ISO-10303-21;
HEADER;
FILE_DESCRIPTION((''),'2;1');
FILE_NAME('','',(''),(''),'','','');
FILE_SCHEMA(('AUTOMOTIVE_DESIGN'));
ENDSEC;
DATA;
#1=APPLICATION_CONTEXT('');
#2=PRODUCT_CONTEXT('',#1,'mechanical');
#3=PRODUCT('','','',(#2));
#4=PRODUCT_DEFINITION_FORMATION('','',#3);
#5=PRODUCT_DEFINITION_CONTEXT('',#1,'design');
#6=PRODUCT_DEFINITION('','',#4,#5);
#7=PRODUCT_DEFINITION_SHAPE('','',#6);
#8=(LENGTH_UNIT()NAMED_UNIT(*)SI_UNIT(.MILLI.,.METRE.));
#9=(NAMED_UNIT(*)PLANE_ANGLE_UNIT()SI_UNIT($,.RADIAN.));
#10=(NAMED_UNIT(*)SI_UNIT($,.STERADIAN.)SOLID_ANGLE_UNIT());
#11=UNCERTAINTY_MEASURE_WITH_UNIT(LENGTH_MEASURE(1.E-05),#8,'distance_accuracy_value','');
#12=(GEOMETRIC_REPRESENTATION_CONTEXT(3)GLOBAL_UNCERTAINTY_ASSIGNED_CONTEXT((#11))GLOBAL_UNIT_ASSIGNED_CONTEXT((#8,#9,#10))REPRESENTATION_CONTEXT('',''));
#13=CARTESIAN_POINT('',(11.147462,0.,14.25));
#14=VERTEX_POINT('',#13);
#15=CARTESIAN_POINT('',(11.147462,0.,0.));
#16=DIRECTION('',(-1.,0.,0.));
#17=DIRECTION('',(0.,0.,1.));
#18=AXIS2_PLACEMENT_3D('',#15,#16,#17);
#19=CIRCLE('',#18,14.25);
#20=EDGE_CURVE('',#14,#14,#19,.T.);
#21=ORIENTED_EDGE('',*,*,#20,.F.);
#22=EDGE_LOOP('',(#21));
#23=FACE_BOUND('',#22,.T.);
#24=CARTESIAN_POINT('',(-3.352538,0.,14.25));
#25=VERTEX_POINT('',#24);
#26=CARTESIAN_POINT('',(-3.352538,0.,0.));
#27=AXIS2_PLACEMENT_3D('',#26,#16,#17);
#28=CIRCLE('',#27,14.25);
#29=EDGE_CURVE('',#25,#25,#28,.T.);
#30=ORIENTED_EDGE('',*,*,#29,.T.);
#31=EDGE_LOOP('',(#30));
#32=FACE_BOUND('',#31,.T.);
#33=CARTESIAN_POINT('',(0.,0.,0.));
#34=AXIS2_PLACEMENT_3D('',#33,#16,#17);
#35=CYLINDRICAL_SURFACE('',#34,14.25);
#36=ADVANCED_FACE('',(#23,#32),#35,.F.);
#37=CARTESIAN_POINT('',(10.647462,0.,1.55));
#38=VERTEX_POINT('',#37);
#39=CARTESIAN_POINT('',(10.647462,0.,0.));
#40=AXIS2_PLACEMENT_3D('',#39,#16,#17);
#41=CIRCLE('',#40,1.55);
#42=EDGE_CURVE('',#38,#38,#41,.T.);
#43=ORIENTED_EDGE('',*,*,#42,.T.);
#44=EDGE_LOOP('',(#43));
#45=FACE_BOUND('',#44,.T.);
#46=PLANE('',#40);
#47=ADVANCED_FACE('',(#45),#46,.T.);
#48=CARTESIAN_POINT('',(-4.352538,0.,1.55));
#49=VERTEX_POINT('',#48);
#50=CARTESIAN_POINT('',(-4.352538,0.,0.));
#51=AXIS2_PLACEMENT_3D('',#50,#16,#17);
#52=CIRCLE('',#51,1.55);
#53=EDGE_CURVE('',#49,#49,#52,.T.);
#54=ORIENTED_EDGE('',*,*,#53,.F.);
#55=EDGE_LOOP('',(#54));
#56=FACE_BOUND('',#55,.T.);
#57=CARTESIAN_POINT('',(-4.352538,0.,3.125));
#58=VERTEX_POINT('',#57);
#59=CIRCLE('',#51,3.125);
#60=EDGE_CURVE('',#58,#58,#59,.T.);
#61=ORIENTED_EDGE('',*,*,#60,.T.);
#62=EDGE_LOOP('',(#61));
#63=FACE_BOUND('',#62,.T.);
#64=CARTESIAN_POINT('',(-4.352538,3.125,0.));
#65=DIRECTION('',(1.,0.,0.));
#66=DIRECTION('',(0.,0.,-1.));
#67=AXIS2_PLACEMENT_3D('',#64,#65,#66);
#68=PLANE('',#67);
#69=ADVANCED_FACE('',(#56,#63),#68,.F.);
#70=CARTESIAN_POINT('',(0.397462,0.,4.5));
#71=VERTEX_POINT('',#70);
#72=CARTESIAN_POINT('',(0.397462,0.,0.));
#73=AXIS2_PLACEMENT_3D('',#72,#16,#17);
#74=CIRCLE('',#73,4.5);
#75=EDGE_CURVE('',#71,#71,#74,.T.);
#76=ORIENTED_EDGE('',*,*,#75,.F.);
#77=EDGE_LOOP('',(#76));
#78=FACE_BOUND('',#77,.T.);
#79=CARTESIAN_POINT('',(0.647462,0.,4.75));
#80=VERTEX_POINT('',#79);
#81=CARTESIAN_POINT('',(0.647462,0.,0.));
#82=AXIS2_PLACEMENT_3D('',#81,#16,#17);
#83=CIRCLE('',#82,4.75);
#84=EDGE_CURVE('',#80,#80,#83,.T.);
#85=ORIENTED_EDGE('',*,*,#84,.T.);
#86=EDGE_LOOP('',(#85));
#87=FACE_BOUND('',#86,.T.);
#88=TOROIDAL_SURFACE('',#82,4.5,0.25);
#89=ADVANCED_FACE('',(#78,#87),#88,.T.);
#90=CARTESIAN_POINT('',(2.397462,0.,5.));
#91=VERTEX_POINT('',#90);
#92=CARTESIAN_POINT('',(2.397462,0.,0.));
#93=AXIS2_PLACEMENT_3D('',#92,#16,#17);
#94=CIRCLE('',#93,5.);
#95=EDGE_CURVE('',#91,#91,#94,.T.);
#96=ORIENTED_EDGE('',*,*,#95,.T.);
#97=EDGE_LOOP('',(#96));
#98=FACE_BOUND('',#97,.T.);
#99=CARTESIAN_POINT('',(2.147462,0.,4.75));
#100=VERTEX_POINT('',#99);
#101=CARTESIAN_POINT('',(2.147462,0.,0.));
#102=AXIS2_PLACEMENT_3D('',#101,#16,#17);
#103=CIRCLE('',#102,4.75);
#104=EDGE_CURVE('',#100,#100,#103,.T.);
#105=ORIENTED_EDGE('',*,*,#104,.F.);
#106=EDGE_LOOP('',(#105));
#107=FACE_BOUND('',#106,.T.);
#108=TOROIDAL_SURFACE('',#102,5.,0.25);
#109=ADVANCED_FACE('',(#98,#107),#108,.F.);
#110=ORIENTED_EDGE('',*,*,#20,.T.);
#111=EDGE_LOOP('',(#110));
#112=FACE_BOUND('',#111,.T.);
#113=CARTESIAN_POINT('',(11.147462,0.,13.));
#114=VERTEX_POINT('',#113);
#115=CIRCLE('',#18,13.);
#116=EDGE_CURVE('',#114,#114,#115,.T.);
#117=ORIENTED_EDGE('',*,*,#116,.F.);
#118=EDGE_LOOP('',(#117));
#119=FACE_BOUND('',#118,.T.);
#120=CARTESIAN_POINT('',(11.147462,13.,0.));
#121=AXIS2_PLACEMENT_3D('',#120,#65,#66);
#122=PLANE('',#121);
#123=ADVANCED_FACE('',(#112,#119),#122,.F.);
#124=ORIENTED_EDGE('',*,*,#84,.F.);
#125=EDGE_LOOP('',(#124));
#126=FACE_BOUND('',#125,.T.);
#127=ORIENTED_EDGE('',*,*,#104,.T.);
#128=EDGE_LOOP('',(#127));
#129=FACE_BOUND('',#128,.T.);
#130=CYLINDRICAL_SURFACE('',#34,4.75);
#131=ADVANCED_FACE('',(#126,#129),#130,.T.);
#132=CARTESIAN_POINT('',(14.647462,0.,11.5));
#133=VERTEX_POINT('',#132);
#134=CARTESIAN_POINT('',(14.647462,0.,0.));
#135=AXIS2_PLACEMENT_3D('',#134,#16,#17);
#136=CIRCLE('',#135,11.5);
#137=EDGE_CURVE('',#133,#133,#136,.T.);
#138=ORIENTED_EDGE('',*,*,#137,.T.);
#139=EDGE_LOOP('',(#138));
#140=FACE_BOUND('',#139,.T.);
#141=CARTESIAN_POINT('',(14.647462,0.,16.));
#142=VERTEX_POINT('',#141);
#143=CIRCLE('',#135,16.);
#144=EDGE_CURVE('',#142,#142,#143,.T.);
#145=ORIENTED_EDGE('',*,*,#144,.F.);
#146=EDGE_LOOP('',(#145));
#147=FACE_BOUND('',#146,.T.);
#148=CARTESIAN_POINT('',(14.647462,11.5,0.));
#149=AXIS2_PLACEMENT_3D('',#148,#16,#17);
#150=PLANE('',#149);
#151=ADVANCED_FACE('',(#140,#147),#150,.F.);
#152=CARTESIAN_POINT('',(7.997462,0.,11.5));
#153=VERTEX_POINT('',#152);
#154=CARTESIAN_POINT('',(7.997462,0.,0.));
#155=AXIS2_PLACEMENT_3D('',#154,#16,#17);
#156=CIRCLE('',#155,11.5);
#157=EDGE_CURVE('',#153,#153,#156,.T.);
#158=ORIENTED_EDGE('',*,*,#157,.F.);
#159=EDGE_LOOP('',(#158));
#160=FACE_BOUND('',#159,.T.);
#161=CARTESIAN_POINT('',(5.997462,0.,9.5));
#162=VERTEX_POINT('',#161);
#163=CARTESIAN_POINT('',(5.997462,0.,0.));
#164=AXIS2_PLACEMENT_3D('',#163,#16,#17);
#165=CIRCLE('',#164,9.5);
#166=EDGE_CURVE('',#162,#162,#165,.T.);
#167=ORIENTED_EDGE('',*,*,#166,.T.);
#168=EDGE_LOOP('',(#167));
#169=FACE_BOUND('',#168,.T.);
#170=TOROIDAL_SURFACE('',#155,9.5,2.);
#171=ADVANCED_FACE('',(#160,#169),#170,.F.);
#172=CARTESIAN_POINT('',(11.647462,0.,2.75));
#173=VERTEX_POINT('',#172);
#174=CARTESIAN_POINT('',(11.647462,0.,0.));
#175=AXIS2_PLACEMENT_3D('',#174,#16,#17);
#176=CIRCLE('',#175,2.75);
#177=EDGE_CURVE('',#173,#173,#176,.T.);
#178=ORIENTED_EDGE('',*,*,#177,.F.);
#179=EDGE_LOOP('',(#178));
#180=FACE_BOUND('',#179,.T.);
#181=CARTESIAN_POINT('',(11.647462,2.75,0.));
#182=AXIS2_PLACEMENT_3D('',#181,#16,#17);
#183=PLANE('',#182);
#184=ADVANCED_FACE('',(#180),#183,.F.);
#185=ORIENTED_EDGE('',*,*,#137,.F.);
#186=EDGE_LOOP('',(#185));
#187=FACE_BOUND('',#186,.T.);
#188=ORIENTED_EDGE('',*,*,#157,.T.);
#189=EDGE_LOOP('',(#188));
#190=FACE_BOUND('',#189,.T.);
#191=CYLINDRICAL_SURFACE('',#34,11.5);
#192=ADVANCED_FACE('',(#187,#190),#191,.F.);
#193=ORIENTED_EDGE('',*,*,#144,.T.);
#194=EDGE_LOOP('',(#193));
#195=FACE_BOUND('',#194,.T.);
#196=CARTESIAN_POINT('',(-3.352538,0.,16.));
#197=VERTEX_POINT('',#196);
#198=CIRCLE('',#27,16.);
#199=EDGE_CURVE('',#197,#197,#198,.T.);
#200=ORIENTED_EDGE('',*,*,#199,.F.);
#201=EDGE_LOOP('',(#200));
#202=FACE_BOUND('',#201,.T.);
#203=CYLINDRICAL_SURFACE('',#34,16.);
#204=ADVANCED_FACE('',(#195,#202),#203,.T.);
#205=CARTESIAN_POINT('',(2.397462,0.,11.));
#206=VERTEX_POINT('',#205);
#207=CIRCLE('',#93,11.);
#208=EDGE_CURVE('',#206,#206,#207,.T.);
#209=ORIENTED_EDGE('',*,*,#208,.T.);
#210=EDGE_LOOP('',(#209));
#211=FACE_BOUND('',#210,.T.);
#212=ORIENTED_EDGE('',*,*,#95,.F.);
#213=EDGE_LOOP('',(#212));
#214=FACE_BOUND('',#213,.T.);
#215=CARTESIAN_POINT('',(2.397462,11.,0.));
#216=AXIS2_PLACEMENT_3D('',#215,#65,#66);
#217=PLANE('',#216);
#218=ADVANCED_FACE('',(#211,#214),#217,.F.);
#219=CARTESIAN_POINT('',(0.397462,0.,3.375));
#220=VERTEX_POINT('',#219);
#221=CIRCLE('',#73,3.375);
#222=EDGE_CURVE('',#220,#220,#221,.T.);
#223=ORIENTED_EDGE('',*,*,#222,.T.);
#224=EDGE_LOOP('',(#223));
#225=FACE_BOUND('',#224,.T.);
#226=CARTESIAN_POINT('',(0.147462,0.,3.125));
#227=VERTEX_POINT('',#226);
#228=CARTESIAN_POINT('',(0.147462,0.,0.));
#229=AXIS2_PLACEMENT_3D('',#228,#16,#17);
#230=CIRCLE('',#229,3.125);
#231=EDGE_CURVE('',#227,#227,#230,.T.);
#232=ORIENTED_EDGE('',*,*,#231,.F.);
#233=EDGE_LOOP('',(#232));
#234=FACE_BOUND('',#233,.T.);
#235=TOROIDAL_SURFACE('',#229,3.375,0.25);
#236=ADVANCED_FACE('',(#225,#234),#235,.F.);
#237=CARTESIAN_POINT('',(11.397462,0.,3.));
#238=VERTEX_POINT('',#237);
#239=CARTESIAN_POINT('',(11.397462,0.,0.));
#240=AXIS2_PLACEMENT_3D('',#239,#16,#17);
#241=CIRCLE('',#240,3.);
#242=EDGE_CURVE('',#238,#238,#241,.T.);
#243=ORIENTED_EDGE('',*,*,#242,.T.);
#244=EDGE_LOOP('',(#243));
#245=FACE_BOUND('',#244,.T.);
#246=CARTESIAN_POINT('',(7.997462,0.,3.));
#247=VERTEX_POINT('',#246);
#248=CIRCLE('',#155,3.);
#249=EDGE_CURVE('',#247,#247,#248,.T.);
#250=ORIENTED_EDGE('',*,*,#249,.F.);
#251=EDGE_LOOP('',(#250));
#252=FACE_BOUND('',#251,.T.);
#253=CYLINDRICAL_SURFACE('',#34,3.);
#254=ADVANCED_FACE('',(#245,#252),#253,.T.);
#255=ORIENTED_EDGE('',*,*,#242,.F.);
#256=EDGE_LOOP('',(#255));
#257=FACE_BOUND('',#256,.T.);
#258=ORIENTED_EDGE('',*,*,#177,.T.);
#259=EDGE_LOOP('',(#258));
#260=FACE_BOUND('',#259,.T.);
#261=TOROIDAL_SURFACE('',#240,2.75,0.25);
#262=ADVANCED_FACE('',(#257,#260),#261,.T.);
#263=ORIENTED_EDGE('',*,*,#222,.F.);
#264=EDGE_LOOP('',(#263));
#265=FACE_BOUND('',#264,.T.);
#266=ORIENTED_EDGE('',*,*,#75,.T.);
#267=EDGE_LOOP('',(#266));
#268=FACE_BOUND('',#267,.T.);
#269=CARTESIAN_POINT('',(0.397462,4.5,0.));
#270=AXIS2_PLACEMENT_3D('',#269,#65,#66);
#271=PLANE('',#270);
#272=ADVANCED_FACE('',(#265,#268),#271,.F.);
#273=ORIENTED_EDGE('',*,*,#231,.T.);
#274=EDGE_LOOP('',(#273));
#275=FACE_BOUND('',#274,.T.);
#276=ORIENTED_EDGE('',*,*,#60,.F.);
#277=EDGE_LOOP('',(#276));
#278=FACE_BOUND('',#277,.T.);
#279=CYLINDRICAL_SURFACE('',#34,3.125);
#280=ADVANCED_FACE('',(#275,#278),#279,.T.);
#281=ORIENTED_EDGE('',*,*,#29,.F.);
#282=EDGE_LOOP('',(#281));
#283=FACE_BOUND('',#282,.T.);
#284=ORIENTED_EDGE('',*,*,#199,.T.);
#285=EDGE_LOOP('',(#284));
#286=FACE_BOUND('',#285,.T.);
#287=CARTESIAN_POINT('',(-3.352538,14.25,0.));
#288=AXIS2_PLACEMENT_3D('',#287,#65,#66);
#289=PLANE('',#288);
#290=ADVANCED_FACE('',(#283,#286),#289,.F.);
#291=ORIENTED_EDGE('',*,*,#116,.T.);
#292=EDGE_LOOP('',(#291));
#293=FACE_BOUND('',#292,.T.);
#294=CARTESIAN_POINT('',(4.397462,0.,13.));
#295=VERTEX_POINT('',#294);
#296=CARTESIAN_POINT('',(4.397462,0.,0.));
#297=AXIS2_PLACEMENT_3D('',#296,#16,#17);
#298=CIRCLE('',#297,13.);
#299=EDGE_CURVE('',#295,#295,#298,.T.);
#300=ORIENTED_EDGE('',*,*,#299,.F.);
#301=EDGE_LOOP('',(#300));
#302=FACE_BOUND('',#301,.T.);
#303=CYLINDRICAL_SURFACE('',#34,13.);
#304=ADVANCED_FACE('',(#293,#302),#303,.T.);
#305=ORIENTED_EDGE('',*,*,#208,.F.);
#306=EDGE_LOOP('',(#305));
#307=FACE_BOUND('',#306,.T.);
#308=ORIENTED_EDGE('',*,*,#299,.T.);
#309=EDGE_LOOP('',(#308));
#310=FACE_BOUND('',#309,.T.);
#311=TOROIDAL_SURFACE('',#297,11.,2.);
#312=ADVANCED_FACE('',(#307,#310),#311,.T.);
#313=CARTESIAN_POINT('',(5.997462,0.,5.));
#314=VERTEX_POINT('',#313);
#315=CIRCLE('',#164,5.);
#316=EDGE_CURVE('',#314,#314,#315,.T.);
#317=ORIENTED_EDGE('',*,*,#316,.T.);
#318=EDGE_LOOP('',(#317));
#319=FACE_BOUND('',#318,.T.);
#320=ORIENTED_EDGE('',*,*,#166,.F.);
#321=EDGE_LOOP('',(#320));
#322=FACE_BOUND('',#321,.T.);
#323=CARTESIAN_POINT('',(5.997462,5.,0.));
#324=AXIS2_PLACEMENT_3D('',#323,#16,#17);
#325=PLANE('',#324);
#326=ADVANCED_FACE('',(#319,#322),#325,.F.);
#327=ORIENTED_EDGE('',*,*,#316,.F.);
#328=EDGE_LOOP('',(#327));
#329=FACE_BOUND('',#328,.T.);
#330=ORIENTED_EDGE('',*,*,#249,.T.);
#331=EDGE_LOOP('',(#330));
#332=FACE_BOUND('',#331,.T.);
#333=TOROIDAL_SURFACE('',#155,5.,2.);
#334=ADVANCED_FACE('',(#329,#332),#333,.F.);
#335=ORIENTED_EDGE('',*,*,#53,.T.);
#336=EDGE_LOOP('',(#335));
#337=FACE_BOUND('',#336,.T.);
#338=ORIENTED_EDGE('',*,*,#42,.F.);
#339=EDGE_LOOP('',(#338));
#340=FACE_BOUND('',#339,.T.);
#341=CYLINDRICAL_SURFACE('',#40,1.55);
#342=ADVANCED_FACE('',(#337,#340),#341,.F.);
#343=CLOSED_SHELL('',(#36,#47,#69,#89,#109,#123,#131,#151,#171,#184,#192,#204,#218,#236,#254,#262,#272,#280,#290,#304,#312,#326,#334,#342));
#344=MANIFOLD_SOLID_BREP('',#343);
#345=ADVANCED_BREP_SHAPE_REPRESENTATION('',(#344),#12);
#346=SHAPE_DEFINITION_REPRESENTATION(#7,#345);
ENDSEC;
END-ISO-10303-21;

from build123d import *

# Parameters (mm, degrees)
SKETCH2_R          = 1.55
CUT_EXTRUDE1_DEPTH = 15


with BuildPart() as part:
    # Sketch1 → Revolve1 (revolve)
    with BuildSketch(Plane.XY, mode=Mode.PRIVATE) as revolve1_sk:
        with BuildLine():
            Line((14.647461996, 11.5), (14.647461996, 16))
            Line((14.647461996, 16), (-3.352538004, 16))
            Line((-3.352538004, 16), (-3.352538004, 14.25))
            Line((-3.352538004, 14.25), (11.147461996, 14.25))
            Line((11.147461996, 14.25), (11.147461996, 13))
            Line((11.147461996, 13), (4.397461996, 13))
            ThreePointArc((4.397461996, 13), (2.983248434, 12.414213562), (2.397461996, 11))
            Line((2.397461996, 11), (2.397461996, 5))
            ThreePointArc((2.397461996, 5), (2.324238692, 4.823223305), (2.147461996, 4.75))
            Line((2.147461996, 4.75), (0.647461996, 4.75))
            ThreePointArc((0.647461996, 4.75), (0.470685301, 4.676776695), (0.397461996, 4.5))
            Line((0.397461996, 4.5), (0.397461996, 3.375))
            ThreePointArc((0.397461996, 3.375), (0.324238692, 3.198223305), (0.147461996, 3.125))
            Line((0.147461996, 3.125), (-4.352538004, 3.125))
            Line((-4.352538004, 3.125), (-4.352538004, 0))
            Line((-4.352538004, 0), (11.647461996, 0))
            Line((11.647461996, 0), (11.647461996, 2.75))
            ThreePointArc((11.647461996, 2.75), (11.574238692, 2.926776695), (11.397461996, 3))
            Line((11.397461996, 3), (7.997461996, 3))
            ThreePointArc((7.997461996, 3), (6.583248434, 3.585786438), (5.997461996, 5))
            Line((5.997461996, 5), (5.997461996, 9.5))
            ThreePointArc((5.997461996, 9.5), (6.583248434, 10.914213562), (7.997461996, 11.5))
            Line((7.997461996, 11.5), (14.647461996, 11.5))
        make_face()
    revolve(revolve1_sk.sketch.rotate(Axis((0, 0, 0), (1, 0, 0)), 90), axis=Axis((0, 0, 0), (1, 0, 0)))

    # Sketch2 → Cut-Extrude1 (cut)
    with BuildSketch(Plane.ZY.offset(4.352538004)):
        Circle(SKETCH2_R)
    extrude(amount=-CUT_EXTRUDE1_DEPTH, mode=Mode.SUBTRACT)


solid = part.part
